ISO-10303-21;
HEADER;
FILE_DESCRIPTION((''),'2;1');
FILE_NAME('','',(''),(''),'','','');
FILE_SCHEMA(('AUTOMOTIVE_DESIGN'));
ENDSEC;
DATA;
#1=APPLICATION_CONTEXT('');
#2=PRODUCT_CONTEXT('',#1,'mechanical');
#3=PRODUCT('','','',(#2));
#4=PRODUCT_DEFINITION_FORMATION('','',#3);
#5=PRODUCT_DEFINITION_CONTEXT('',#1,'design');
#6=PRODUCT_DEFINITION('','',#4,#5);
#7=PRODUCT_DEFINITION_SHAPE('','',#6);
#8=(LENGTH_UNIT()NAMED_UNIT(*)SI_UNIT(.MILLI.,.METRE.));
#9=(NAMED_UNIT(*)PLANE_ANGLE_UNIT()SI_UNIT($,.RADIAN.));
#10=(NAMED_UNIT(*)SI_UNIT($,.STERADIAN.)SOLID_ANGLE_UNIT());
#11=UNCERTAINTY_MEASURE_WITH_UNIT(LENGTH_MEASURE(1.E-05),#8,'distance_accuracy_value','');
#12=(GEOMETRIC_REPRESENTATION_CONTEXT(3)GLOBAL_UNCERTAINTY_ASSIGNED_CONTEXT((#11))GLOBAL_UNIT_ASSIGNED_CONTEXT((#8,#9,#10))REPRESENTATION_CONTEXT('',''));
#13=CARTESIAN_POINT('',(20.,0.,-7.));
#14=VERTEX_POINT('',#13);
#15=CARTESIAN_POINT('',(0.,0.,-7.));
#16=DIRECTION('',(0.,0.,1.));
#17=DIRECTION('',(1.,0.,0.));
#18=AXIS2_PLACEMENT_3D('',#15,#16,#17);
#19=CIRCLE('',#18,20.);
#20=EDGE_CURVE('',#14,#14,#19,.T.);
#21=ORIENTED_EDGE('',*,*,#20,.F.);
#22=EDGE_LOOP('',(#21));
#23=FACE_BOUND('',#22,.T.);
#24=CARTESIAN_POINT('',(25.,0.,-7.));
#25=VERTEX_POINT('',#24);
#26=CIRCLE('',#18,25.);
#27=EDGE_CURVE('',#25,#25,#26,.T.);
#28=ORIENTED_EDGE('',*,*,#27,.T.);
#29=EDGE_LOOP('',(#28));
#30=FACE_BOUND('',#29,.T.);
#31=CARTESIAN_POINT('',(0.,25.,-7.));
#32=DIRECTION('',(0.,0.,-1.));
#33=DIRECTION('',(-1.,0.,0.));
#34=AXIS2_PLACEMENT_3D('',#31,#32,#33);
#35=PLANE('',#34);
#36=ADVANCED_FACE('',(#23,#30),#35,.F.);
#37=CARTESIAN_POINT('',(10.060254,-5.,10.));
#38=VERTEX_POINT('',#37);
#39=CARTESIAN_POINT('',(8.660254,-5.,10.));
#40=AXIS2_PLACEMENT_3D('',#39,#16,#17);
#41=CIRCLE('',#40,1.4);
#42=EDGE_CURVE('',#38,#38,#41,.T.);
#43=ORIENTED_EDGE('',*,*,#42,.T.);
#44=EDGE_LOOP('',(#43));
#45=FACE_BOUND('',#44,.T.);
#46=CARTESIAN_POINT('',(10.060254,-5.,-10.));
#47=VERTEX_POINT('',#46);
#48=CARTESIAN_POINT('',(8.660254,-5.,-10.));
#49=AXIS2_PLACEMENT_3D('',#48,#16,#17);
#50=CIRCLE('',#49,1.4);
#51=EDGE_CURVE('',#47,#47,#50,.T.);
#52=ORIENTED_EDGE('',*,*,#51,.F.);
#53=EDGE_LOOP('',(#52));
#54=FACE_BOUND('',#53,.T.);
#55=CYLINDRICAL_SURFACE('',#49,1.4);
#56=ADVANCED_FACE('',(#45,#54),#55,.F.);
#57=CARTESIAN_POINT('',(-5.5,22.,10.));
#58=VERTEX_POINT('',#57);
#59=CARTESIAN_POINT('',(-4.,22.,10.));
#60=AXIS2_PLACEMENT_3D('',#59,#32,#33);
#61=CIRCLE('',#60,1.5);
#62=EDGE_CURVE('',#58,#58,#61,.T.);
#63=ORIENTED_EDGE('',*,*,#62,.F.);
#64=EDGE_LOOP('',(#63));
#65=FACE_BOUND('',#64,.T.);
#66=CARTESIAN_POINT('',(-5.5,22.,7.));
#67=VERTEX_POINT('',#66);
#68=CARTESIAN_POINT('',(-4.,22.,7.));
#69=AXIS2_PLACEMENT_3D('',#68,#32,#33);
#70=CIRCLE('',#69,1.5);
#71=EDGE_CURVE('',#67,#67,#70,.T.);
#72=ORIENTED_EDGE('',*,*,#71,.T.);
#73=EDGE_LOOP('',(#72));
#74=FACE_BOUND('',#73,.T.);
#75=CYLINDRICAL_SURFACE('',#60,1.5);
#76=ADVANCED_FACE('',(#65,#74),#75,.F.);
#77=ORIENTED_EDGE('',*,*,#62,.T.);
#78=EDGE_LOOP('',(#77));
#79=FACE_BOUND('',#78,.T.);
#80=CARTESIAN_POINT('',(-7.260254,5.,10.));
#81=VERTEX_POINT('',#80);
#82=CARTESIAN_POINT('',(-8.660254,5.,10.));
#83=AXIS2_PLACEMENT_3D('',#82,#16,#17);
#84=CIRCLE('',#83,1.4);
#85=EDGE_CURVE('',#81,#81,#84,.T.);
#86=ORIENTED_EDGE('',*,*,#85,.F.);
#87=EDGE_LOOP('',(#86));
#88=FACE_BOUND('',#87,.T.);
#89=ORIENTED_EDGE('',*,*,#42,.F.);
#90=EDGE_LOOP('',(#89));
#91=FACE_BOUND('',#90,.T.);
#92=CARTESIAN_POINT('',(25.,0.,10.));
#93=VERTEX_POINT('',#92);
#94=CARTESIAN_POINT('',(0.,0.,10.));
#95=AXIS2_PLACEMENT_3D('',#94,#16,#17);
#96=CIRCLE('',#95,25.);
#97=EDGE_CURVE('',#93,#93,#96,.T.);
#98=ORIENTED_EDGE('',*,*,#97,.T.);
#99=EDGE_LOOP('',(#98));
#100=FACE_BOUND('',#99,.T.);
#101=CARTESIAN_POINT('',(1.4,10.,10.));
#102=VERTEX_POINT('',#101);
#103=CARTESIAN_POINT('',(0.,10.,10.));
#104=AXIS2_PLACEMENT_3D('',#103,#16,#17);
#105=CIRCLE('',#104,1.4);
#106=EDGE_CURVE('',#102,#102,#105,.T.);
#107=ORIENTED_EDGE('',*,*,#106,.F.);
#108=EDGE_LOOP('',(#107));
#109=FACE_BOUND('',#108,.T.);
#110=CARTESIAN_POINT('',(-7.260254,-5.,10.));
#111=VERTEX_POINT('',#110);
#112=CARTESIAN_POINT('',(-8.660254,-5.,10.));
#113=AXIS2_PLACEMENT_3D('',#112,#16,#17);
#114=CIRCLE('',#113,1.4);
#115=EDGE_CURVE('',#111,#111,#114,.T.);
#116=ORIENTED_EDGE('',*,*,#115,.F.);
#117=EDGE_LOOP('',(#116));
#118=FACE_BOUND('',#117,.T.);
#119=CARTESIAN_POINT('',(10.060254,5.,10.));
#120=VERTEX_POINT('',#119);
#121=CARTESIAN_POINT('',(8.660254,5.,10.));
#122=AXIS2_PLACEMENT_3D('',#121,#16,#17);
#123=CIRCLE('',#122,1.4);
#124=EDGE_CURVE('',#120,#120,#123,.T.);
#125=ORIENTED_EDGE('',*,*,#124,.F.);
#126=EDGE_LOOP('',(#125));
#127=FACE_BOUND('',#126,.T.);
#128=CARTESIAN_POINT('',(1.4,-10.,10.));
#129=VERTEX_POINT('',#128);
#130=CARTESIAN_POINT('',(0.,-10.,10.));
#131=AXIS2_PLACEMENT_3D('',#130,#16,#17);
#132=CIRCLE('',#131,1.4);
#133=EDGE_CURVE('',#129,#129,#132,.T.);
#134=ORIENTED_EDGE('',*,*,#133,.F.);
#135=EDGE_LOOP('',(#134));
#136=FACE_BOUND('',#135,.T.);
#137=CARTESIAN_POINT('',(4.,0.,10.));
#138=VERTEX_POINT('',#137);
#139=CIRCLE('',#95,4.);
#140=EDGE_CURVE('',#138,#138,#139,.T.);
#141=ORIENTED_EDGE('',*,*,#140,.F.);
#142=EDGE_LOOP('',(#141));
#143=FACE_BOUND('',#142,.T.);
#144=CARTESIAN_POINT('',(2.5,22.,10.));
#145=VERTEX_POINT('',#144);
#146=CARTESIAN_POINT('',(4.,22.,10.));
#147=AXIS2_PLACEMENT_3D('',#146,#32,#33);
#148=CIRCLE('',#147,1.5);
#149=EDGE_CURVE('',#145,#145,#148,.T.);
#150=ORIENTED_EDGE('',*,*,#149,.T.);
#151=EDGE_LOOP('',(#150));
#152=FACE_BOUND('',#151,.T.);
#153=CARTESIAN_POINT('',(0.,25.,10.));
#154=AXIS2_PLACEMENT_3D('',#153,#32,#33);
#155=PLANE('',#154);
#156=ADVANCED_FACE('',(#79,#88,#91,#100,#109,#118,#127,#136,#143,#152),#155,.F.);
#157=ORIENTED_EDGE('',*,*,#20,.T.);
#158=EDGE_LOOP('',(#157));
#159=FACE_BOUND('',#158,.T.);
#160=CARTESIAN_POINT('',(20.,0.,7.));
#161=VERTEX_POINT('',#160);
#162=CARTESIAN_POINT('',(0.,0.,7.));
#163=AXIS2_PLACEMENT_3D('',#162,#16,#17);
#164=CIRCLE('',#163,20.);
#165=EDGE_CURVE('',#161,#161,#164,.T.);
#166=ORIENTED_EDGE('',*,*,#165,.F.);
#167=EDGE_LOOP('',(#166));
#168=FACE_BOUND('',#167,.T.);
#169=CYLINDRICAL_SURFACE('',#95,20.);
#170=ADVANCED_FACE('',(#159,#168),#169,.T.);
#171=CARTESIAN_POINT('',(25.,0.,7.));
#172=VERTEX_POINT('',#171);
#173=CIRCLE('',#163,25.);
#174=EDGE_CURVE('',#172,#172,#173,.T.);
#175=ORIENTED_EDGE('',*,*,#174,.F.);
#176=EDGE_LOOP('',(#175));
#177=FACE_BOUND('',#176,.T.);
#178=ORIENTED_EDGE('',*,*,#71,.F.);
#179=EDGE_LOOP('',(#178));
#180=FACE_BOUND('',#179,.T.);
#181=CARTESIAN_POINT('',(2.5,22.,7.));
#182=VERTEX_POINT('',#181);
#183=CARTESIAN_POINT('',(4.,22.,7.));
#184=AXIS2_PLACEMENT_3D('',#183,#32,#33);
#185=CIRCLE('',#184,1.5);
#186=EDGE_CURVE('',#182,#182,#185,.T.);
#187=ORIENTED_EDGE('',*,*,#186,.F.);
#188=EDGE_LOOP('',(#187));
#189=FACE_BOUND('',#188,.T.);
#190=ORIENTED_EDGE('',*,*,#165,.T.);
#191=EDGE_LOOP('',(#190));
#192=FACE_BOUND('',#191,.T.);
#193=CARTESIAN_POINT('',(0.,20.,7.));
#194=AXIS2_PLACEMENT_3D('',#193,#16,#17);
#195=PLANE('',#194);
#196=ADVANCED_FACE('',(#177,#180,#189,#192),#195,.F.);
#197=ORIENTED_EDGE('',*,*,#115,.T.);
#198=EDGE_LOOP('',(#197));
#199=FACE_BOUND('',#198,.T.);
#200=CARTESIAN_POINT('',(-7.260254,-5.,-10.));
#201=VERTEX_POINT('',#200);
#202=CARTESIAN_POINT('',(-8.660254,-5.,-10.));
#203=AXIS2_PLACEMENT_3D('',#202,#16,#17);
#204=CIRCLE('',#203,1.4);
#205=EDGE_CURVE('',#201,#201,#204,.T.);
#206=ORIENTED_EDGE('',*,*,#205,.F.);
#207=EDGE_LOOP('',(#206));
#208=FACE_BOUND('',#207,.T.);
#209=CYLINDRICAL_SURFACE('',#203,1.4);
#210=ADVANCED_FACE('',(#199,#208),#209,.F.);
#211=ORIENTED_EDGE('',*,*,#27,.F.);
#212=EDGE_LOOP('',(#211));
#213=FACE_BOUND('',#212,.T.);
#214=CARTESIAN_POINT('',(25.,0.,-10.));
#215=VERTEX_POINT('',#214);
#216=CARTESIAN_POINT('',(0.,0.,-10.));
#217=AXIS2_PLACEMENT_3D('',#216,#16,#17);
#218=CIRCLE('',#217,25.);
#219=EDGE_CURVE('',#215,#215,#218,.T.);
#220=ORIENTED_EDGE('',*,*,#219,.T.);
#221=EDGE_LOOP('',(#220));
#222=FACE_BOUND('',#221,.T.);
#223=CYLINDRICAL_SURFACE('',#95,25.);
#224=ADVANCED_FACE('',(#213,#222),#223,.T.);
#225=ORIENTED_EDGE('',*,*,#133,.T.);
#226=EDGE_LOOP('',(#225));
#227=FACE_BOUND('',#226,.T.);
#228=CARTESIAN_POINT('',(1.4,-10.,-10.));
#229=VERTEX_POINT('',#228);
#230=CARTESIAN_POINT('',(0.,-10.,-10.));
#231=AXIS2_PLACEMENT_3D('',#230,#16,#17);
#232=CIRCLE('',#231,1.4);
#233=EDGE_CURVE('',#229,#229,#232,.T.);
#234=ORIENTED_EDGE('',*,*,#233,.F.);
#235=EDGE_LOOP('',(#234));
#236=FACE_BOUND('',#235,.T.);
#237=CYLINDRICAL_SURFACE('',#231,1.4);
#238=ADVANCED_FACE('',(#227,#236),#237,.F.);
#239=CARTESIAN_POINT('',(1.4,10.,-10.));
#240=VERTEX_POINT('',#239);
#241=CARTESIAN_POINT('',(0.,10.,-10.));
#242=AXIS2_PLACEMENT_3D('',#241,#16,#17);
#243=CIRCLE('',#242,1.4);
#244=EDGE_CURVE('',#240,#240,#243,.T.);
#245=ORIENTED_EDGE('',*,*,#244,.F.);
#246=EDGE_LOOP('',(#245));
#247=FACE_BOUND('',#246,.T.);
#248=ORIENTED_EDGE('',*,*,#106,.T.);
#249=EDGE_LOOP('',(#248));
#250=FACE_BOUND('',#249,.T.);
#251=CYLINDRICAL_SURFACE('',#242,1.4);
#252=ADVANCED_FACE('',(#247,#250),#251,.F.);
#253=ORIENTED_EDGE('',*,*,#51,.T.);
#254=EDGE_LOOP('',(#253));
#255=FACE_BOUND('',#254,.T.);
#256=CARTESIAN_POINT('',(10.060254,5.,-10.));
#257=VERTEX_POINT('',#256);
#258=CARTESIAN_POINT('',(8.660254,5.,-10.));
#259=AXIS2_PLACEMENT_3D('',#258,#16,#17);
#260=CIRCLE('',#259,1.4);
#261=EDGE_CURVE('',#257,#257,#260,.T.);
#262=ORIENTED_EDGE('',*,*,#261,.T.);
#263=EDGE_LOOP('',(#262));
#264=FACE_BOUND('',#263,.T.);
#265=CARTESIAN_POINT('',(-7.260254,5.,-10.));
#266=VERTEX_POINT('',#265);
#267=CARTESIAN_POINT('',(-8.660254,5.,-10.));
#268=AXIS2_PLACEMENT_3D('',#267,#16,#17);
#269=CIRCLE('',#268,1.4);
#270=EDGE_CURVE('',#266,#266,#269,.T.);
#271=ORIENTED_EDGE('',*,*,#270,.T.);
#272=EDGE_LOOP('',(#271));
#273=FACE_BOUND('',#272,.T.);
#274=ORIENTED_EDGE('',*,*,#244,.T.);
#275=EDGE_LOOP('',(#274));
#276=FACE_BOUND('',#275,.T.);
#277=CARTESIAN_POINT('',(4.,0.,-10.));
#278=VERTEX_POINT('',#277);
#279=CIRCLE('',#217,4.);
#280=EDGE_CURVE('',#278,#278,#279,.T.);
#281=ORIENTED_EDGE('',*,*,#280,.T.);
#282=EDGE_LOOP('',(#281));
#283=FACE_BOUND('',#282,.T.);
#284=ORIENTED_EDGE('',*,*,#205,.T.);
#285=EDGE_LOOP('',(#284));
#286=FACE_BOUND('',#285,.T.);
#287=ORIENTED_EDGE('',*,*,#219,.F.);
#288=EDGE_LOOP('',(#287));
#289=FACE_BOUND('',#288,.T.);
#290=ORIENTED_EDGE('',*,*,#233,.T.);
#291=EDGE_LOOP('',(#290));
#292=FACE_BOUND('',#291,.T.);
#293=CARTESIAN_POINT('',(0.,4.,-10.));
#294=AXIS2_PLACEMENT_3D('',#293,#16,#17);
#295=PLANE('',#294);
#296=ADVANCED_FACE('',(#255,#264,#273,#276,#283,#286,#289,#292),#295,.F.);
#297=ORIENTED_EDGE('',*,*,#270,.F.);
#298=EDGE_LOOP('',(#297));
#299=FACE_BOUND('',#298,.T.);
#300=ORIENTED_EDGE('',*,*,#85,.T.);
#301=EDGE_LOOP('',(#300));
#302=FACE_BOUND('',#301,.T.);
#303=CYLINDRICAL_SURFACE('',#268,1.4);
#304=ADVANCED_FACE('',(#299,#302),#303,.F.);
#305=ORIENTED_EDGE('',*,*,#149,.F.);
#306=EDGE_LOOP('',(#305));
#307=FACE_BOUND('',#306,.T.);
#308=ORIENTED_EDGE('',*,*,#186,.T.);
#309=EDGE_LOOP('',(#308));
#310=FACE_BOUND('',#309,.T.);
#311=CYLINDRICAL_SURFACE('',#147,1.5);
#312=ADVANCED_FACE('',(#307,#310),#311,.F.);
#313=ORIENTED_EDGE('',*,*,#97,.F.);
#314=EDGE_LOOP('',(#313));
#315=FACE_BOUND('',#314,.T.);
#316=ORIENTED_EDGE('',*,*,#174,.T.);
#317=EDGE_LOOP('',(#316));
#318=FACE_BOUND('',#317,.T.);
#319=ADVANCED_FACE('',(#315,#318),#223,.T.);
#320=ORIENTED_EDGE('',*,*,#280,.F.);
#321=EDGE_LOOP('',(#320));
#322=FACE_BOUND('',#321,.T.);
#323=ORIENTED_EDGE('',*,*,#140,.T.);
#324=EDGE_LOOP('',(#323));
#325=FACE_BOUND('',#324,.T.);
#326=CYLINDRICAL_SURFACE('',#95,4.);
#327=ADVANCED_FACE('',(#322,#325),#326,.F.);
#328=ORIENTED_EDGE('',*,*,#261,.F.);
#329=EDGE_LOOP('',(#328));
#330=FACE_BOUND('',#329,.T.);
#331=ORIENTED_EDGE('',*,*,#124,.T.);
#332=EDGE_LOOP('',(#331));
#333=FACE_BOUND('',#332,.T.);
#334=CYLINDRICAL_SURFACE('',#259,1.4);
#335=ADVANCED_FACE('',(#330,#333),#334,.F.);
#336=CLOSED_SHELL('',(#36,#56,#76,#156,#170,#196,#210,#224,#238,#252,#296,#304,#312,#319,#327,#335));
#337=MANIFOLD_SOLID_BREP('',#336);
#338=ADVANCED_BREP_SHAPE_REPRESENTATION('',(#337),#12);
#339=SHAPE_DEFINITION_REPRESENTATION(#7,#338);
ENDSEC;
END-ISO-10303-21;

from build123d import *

# Parameters (mm, degrees)
SKETCH3_R          = 1.4
CUT_EXTRUDE1_DEPTH = 41.620192023
SKETCH5_R          = 1.5
CUT_EXTRUDE2_DEPTH = 40.230090492


with BuildPart() as part:
    # Sketch2 → Revolve1 (revolve)
    with BuildSketch(Plane(origin=(0, 0, 0), x_dir=(0, 0, -1), z_dir=(1, 0, 0))):
        Polygon((10, 4), (10, 25), (7, 25), (7, 20), (-7, 20), (-7, 25), (-10, 25), (-10, 4), align=None)
    revolve(axis=Axis((0, 0, 10), (0, 0, -1)))

    # Sketch3 → Cut-Extrude1 (cut, through all)
    with BuildSketch(Plane.XY.offset(10)):
        with Locations((0, 10)):
            Circle(SKETCH3_R)
        with Locations((8.660254038, 5)):
            Circle(SKETCH3_R)
        with Locations((8.660254038, -5)):
            Circle(SKETCH3_R)
        with Locations((0, -10)):
            Circle(SKETCH3_R)
        with Locations((-8.660254038, -5)):
            Circle(SKETCH3_R)
        with Locations((-8.660254038, 5)):
            Circle(SKETCH3_R)
    extrude(amount=-CUT_EXTRUDE1_DEPTH, mode=Mode.SUBTRACT)

    # Sketch5 → Cut-Extrude2 (cut, through all)
    with BuildSketch(Plane(origin=(0, 0, 7), x_dir=(-1, 0, 0), z_dir=(0, 0, -1))):
        with Locations((-4, 22)):
            Circle(SKETCH5_R)
        with Locations((4, 22)):
            Circle(SKETCH5_R)
    extrude(amount=-CUT_EXTRUDE2_DEPTH, mode=Mode.SUBTRACT)


solid = part.part
